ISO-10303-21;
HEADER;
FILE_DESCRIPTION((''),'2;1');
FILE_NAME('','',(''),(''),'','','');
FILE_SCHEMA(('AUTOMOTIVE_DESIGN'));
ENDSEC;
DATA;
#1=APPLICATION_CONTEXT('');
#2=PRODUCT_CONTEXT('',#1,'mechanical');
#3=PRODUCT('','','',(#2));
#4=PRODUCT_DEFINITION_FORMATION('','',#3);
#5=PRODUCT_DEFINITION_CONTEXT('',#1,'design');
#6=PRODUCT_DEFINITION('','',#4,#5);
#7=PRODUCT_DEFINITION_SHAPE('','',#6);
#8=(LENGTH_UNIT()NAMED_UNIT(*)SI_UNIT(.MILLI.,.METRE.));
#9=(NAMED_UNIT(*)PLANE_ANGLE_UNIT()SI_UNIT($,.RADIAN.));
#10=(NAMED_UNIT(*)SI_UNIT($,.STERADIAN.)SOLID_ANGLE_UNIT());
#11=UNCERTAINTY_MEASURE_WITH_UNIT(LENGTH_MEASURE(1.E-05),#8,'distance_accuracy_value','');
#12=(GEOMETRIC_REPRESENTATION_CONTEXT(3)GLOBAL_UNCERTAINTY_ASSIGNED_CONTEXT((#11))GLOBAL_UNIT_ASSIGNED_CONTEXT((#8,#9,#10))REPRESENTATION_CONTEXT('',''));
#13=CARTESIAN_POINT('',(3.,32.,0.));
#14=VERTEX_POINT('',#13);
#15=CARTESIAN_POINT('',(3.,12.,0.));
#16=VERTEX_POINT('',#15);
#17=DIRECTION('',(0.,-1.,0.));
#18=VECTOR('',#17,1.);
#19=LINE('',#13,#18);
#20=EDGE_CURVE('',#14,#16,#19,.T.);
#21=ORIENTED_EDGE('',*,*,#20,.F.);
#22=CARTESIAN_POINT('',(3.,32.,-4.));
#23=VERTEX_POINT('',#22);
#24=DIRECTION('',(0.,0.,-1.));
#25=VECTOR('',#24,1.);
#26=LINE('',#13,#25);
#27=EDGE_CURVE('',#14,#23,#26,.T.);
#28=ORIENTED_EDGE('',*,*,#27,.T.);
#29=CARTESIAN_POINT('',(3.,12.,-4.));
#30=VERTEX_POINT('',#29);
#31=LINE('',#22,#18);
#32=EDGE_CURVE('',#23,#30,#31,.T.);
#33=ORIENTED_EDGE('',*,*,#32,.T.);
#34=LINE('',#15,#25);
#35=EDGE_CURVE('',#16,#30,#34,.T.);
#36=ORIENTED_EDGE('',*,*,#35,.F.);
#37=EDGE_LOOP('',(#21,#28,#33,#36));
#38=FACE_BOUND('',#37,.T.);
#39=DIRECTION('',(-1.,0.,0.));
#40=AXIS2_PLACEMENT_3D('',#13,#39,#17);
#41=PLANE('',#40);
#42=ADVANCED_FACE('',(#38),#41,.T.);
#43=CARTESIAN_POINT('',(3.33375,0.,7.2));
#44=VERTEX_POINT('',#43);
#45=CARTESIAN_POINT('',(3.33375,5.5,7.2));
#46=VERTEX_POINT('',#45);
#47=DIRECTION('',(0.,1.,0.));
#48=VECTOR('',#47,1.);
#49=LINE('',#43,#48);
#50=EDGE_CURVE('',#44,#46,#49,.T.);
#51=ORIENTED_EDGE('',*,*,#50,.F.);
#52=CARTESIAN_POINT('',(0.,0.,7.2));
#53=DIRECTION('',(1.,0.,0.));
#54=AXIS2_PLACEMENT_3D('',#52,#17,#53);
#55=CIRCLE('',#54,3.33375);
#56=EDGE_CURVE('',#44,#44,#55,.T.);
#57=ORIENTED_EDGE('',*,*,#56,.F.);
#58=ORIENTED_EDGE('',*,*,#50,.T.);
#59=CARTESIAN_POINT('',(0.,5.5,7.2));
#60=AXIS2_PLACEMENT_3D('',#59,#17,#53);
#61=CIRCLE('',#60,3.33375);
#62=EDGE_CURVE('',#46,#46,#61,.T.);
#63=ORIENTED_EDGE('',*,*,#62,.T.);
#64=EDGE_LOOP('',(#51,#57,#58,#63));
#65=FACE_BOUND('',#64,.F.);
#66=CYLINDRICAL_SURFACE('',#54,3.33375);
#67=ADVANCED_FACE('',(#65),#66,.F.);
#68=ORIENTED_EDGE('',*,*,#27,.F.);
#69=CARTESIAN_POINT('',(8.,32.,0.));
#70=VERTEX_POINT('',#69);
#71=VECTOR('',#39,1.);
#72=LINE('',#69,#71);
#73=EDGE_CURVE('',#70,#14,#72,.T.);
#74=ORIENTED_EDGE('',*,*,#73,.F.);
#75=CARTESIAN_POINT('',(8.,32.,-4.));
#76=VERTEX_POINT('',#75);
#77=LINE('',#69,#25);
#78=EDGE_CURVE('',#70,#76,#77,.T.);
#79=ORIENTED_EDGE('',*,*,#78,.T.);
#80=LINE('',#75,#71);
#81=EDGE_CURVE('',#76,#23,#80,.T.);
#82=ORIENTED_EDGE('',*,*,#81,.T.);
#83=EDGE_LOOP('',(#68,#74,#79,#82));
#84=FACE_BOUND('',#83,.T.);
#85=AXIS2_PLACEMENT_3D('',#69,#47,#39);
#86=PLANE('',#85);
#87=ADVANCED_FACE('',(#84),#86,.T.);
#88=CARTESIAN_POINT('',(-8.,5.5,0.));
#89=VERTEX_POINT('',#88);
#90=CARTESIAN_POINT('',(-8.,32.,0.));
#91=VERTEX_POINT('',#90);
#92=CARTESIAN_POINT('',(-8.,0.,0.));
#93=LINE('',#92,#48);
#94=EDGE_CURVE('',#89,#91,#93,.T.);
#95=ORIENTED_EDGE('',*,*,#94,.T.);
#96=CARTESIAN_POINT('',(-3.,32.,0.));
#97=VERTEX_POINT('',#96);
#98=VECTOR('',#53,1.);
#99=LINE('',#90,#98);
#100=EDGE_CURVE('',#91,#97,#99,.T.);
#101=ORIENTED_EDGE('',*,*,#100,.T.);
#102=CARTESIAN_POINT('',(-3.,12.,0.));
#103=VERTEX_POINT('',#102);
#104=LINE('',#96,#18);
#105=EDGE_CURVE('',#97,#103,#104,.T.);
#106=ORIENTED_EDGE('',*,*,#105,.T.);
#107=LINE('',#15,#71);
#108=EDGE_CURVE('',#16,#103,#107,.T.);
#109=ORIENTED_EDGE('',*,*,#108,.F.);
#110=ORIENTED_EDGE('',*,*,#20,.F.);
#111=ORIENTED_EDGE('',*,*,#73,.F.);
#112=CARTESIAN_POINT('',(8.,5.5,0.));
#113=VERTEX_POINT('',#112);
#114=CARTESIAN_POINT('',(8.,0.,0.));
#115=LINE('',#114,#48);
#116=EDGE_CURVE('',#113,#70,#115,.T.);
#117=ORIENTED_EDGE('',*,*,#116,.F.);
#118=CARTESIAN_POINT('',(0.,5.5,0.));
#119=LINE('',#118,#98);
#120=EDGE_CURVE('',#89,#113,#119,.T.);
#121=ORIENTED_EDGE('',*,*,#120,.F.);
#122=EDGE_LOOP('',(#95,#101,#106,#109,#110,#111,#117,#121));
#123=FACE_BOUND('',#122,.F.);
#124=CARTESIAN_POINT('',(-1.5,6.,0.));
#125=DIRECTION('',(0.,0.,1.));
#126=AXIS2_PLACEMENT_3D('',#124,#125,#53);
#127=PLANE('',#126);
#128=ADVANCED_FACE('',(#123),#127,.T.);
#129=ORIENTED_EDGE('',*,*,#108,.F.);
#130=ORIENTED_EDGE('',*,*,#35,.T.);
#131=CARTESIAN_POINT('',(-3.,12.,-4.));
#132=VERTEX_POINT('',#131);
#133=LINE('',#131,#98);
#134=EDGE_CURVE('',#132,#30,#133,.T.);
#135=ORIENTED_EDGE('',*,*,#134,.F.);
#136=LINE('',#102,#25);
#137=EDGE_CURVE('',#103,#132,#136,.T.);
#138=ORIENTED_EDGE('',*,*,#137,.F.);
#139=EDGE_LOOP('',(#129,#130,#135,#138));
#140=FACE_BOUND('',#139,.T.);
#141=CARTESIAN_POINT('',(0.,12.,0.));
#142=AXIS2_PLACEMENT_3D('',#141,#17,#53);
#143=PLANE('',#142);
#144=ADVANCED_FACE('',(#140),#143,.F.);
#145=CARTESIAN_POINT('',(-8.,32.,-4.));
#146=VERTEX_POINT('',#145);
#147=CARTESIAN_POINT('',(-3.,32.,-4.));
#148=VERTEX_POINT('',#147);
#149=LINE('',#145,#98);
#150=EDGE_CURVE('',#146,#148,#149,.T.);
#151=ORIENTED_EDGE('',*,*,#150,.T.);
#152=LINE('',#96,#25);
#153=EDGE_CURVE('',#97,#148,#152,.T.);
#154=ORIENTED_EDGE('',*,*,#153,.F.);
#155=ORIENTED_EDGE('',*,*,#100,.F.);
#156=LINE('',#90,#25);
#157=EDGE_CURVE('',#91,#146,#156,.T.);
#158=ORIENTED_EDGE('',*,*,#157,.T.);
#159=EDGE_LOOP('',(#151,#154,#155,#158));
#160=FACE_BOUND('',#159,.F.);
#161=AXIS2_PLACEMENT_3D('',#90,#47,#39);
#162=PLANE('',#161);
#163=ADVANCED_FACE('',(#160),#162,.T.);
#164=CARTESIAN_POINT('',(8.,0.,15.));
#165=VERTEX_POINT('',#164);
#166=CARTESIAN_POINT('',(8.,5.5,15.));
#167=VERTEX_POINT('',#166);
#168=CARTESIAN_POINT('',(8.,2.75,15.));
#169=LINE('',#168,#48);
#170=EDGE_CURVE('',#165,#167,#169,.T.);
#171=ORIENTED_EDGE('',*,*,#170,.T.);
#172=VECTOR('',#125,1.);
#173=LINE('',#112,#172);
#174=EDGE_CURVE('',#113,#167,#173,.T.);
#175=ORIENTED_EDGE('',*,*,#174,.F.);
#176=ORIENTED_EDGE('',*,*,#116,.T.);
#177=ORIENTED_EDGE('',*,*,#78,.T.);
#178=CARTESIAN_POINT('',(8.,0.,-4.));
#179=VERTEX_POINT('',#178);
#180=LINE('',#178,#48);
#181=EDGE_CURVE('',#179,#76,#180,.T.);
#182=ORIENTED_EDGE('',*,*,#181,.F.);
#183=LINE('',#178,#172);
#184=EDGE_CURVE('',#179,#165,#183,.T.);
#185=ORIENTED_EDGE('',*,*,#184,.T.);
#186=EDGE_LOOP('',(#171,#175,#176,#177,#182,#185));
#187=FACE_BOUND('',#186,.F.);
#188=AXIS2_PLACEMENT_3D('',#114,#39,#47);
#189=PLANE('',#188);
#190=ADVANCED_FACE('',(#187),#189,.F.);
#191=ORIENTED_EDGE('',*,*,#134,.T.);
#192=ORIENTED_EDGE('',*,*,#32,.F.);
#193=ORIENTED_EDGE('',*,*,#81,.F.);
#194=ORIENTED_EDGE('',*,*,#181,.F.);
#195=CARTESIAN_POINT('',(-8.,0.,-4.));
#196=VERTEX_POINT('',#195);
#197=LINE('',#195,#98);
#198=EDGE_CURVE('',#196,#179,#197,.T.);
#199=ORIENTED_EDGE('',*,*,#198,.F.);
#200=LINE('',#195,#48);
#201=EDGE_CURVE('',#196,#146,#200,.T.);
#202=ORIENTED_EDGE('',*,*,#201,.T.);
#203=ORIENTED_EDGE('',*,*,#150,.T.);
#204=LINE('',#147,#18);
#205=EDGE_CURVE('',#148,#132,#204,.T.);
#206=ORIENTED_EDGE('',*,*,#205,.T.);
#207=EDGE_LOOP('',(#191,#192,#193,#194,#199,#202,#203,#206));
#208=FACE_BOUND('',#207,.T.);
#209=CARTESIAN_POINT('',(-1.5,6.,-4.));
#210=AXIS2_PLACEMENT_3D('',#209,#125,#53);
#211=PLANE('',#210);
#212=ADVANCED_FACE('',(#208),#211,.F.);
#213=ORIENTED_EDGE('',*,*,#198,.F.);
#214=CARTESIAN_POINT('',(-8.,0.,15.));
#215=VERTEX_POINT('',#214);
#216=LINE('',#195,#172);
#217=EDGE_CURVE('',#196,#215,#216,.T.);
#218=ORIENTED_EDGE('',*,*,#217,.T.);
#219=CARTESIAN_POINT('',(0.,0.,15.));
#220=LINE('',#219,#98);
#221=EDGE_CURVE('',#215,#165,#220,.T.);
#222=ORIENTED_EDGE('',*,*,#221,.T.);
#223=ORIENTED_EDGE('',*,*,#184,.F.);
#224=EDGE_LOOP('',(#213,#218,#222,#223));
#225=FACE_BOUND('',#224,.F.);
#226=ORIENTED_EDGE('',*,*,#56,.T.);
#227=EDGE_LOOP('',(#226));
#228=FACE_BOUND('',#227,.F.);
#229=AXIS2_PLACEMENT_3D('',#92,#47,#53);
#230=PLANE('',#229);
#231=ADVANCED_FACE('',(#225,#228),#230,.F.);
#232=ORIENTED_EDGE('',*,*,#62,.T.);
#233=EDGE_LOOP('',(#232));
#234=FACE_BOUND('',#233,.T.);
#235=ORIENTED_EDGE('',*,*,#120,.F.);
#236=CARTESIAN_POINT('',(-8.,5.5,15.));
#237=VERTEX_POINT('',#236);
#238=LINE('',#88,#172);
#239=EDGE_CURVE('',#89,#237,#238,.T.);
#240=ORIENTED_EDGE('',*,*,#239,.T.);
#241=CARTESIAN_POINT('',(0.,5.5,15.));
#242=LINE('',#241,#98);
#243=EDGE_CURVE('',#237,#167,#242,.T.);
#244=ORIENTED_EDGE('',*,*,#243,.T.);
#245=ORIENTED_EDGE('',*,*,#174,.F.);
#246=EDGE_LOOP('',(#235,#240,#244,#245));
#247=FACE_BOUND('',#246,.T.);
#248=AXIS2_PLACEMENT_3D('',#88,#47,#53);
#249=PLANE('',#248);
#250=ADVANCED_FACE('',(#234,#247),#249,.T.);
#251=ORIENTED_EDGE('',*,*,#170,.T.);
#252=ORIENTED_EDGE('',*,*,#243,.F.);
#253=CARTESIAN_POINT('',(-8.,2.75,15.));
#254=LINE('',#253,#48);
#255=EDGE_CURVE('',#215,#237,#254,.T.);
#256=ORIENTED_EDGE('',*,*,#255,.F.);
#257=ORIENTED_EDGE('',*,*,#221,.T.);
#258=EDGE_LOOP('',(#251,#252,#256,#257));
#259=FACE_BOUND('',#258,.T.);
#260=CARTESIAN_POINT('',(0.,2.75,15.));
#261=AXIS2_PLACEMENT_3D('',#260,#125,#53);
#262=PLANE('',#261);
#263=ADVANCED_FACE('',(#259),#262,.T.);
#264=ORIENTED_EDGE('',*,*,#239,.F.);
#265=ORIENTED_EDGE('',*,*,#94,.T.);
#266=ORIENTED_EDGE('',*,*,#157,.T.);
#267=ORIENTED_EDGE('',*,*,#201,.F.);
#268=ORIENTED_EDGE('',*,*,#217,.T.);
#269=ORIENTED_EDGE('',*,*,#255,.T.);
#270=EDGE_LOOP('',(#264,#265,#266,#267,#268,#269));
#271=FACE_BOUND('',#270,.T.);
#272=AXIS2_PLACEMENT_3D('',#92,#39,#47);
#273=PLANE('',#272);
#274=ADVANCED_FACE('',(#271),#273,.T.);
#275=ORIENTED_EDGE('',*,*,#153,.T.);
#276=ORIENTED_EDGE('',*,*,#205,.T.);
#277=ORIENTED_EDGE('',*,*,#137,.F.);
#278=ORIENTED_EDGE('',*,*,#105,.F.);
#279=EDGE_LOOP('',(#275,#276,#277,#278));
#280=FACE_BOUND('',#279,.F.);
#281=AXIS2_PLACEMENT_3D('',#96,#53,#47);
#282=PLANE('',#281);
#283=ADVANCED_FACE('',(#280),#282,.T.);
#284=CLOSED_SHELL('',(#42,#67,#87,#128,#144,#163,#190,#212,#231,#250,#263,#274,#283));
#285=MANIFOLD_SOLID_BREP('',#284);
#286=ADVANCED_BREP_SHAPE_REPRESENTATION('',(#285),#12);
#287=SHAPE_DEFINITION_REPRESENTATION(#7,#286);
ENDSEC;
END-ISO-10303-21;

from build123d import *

# Parameters (mm, degrees)
F0_W     = 3
F0_H     = 12
F1_DEPTH = 4
F3_W     = 16
F3_H     = 5.5
F4_DEPTH = 15
F5_R     = 3.33375
F6_DEPTH = 32.001


with BuildPart() as f1:
    # F0 (on Top) → F1 (new body)
    with BuildSketch(Plane.XY):
        with Locations((1.5, 6)):
            Rectangle(F0_W, F0_H)
        Polygon((3, 12), (3, 0), (8, 0), (8, 32), (3, 32), align=None)
    extrude(amount=-F1_DEPTH)

    # F2: F1 across face


with BuildPart() as f1_1:
    add(f1.part)
    add(f1.part.mirror(Plane(origin=(0, 6, -2), x_dir=(0, -1, 0), z_dir=(-1, 0, 0))))

    # F3 (on face) → F4 (join)
    with BuildSketch(Plane.XY):
        with Locations((0, 2.75)):
            Rectangle(F3_W, F3_H)
    extrude(amount=F4_DEPTH)

    # F5 (on Front) → F6 (cut, through all)
    with BuildSketch(Plane.XZ):
        with Locations((0, 7.2)):
            Circle(F5_R)
    extrude(amount=-F6_DEPTH, mode=Mode.SUBTRACT)


solid = f1_1.part
